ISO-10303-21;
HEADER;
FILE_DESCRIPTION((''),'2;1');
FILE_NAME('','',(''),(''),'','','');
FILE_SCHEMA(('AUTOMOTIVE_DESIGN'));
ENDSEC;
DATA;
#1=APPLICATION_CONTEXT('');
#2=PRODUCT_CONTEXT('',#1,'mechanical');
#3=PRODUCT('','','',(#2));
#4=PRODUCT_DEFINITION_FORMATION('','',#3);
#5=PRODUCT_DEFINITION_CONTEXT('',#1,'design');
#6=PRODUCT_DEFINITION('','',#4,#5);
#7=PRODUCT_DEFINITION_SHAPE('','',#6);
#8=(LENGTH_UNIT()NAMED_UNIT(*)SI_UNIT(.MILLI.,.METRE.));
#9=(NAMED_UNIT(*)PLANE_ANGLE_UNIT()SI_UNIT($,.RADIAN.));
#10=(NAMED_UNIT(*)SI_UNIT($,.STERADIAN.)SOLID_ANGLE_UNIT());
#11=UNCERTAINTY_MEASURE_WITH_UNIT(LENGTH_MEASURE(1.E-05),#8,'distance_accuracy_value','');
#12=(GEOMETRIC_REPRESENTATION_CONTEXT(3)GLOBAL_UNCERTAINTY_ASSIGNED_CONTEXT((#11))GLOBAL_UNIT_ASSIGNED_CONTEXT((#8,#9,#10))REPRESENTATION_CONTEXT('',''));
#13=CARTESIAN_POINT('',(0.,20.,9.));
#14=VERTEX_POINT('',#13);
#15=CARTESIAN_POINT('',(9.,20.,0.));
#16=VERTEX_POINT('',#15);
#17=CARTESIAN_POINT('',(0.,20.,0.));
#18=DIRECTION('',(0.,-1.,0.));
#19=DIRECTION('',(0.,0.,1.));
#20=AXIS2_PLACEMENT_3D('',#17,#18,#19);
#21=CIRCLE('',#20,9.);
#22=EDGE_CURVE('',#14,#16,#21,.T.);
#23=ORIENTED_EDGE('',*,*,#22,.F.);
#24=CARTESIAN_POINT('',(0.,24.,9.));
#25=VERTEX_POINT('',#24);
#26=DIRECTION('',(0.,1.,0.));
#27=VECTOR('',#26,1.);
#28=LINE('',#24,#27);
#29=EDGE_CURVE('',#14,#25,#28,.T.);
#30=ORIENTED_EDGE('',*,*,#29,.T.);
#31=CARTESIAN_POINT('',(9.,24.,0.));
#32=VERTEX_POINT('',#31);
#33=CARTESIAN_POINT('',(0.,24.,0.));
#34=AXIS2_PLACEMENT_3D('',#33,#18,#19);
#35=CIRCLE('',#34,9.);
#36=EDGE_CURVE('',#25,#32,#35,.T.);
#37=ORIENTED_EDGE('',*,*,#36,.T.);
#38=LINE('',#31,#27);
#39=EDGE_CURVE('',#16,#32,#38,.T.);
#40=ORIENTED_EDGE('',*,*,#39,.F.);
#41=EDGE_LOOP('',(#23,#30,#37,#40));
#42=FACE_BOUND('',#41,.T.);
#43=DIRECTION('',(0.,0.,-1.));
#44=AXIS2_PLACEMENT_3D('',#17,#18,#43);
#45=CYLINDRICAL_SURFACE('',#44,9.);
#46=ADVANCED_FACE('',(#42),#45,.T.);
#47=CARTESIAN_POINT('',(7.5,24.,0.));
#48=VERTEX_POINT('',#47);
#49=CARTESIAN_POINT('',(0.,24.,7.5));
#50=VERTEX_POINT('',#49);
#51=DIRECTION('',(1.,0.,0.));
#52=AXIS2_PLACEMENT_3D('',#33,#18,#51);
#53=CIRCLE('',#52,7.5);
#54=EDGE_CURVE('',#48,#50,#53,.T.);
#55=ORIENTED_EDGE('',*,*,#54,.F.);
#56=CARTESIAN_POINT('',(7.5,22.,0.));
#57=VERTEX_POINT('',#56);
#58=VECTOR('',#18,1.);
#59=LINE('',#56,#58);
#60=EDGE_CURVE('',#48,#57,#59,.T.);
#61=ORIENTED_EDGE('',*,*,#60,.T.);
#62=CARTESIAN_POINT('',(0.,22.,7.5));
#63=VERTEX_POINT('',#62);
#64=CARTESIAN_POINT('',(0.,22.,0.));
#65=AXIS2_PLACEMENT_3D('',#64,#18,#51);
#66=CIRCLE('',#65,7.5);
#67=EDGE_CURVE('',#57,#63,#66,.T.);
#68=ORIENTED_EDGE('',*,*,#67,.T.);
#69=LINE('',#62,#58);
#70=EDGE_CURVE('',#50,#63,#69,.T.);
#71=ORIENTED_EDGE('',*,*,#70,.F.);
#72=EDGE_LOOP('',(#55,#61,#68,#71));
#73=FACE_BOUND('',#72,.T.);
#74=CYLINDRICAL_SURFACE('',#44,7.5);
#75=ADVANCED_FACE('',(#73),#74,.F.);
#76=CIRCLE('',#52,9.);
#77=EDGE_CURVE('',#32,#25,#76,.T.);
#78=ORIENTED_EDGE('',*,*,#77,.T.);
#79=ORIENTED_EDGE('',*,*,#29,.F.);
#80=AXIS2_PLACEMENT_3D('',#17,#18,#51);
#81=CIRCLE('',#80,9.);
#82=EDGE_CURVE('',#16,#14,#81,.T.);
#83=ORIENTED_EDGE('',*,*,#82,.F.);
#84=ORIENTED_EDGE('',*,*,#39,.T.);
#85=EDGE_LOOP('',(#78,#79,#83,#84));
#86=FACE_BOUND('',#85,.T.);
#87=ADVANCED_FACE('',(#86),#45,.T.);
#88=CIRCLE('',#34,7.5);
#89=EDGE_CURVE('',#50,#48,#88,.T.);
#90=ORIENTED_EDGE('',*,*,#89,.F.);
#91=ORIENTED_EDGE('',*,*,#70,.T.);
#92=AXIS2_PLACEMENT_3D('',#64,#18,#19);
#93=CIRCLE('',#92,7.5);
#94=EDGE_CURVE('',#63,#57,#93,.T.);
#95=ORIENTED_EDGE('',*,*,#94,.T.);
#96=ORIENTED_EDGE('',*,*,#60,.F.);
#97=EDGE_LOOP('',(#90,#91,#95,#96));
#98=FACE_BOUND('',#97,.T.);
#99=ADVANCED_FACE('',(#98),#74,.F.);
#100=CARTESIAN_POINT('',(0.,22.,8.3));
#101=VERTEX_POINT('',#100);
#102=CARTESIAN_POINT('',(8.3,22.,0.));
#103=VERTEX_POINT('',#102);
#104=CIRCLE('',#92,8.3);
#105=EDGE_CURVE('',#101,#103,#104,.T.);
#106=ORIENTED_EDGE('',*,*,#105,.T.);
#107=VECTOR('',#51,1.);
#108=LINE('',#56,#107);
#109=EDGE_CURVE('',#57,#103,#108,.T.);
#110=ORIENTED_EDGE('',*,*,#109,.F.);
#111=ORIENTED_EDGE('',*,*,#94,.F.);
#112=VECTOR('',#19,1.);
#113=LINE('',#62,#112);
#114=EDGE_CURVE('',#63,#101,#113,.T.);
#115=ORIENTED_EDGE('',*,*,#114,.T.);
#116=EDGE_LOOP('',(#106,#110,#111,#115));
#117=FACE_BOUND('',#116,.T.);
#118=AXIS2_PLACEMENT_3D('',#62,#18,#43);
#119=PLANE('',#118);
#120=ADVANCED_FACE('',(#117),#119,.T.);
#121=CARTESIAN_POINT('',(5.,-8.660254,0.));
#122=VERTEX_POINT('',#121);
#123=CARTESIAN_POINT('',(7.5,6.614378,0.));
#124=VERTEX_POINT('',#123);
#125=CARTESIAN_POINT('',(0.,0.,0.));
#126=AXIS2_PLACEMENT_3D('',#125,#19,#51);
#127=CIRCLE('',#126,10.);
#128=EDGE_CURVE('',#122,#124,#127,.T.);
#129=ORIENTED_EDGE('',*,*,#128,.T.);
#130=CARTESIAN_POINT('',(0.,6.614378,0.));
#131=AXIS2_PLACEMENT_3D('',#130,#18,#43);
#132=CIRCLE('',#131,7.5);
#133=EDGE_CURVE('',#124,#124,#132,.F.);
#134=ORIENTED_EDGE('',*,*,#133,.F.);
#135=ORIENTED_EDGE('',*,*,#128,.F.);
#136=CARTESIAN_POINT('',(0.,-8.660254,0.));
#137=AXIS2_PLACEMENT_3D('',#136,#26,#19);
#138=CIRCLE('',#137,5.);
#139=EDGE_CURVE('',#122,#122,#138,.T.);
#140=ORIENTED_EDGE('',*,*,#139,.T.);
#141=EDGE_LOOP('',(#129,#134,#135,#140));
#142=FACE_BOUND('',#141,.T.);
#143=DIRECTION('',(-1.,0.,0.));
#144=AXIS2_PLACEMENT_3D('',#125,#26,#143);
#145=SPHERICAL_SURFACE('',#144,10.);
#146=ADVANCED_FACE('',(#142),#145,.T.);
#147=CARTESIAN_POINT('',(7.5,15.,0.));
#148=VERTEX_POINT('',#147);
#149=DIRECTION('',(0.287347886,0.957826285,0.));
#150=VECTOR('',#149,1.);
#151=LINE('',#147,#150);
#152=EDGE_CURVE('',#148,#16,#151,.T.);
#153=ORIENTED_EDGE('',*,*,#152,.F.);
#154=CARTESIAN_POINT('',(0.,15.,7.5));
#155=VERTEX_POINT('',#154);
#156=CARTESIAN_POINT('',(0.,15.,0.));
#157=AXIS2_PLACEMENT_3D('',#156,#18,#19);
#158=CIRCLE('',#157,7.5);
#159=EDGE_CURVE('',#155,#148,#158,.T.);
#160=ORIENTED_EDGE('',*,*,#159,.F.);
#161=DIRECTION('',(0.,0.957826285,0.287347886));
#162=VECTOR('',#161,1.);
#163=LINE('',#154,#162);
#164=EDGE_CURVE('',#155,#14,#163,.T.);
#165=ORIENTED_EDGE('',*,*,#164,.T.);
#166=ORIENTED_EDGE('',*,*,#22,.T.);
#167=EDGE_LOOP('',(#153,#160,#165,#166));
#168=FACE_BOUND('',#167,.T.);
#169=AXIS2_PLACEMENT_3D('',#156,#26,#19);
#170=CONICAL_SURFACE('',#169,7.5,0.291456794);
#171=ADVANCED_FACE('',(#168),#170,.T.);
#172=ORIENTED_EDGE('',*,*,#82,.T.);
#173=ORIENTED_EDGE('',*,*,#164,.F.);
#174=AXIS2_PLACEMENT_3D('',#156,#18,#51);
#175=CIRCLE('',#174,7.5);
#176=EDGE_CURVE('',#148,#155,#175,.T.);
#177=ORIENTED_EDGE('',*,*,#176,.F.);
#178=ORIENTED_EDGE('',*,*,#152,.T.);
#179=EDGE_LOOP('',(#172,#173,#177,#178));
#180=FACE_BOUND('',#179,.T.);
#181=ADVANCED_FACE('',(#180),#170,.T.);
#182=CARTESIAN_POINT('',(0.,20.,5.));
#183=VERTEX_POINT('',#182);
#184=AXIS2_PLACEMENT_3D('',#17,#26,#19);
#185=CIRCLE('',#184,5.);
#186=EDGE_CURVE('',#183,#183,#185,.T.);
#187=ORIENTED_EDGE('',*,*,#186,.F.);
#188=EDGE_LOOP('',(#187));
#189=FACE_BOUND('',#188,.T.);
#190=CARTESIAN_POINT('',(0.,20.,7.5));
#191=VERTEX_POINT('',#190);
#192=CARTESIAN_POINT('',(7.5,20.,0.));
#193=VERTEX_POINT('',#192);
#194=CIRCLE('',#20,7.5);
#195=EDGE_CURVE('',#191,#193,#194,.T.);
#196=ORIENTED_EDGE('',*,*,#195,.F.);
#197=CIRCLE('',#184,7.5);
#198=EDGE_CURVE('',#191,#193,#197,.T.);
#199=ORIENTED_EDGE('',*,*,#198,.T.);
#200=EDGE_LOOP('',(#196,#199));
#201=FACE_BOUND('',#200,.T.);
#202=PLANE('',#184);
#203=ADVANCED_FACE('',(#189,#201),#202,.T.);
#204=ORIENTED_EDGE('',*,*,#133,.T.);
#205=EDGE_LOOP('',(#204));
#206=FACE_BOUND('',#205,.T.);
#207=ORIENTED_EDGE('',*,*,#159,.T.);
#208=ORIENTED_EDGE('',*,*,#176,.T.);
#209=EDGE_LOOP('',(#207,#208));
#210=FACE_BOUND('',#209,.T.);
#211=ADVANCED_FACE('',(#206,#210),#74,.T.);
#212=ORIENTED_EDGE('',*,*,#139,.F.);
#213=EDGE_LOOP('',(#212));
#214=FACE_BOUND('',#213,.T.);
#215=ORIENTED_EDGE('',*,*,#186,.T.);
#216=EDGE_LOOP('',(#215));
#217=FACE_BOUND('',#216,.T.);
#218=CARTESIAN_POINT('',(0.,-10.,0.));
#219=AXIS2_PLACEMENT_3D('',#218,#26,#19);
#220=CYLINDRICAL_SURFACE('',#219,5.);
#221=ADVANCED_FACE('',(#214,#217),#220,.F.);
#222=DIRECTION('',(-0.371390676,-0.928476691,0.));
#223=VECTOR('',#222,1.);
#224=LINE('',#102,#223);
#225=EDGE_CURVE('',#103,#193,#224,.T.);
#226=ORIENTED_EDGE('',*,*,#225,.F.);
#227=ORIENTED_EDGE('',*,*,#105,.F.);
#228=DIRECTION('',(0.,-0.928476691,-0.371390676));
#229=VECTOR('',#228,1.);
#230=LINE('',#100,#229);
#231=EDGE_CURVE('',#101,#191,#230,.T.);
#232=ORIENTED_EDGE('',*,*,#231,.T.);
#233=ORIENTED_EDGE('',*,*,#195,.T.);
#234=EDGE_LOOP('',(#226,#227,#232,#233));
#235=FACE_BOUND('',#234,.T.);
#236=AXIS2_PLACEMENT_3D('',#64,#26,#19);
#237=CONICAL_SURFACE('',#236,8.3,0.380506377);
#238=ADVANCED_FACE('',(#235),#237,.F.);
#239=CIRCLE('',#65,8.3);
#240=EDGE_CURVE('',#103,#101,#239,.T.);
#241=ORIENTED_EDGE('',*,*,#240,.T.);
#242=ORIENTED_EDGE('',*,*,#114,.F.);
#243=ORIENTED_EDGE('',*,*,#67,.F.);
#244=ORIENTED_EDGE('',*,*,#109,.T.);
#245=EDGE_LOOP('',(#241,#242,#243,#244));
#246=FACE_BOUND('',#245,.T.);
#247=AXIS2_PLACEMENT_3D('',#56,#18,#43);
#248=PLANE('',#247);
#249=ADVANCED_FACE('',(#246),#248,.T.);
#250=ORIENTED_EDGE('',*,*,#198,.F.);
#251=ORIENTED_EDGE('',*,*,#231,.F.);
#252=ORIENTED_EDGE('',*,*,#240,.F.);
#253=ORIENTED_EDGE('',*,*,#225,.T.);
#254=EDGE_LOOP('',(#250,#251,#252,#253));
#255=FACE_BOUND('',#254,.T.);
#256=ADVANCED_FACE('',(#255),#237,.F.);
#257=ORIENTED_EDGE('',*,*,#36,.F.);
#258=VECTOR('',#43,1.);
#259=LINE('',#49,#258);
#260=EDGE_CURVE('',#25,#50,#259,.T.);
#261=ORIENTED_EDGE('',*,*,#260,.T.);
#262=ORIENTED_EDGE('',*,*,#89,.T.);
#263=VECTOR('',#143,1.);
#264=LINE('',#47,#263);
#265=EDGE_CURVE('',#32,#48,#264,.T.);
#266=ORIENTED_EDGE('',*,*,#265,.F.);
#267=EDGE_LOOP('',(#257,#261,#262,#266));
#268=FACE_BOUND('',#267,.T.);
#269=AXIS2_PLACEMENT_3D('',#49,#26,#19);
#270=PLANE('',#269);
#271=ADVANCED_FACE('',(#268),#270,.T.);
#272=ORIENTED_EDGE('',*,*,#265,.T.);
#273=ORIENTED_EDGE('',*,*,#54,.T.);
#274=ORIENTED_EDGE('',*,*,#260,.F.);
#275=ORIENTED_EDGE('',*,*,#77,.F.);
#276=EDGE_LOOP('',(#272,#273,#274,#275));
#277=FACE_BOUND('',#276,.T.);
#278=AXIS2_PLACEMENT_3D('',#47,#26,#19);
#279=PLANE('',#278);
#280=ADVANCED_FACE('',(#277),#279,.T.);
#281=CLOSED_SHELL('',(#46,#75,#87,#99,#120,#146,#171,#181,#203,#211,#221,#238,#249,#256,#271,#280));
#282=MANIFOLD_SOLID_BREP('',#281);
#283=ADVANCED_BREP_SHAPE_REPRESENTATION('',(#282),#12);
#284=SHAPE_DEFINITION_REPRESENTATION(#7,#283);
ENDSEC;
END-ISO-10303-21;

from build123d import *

# Parameters (mm, degrees)
SKETCH_3_R          = 7.5
EXTRUDE_1_DEPTH     = 20
SKETCH_5_R          = 5
CUT_EXTRUDE_1_DEPTH = 34.166247904


with BuildPart() as part:
    # 扫描1: sweep along a path in 草图2
    with BuildLine(Plane(origin=(0, 0, 0), x_dir=(1, 0, 0), z_dir=(0, 1, 0))) as sweep_1_path:
        CenterArc((0, 0), 10, 0, 360)
    # 草图1 → 扫描1 (sweep)
    with BuildSketch(Plane.XY):
        with BuildLine():
            Line((0, 10), (0, -10))
            ThreePointArc((0, -10), (10, 0), (0, 10))
        make_face()
    sweep(path=sweep_1_path.line)

    # 草图3 → 凸台-拉伸1 (add)
    with BuildSketch(Plane(origin=(0, 0, 0), x_dir=(1, 0, 0), z_dir=(0, 1, 0))):
        Circle(SKETCH_3_R)
    extrude(amount=EXTRUDE_1_DEPTH)

    # 扫描2: sweep along a curve in space
    with BuildLine() as sweep_2_path:
        ThreePointArc((0, 20, 7.5), (5.303300859, 20, 5.303300859), (7.5, 20, 0))
        ThreePointArc((7.5, 20, 0), (5.303300859, 20, -5.303300859), (0, 20, -7.5))
        ThreePointArc((0, 20, -7.5), (-5.303300859, 20, -5.303300859), (-7.5, 20, 0))
        ThreePointArc((-7.5, 20, 0), (-5.303300859, 20, 5.303300859), (0, 20, 7.5))
    # 草图4 → 扫描2 (sweep)
    with BuildSketch(Plane.XY):
        Polygon((7.5, 22), (8.3, 22), (7.5, 20), (7.5, 15), (9, 20), (9, 24), (7.5, 24), align=None)
    sweep(path=sweep_2_path.line)

    # 草图5 → 切除-拉伸1 (cut, through all)
    with BuildSketch(Plane(origin=(0, 20, 0), x_dir=(1, 0, 0), z_dir=(0, 1, 0))):
        with Locations(Location((0, 0, 0), (0, 0, 270))):
            Circle(SKETCH_5_R)
    extrude(amount=-CUT_EXTRUDE_1_DEPTH, mode=Mode.SUBTRACT)


solid = part.part
